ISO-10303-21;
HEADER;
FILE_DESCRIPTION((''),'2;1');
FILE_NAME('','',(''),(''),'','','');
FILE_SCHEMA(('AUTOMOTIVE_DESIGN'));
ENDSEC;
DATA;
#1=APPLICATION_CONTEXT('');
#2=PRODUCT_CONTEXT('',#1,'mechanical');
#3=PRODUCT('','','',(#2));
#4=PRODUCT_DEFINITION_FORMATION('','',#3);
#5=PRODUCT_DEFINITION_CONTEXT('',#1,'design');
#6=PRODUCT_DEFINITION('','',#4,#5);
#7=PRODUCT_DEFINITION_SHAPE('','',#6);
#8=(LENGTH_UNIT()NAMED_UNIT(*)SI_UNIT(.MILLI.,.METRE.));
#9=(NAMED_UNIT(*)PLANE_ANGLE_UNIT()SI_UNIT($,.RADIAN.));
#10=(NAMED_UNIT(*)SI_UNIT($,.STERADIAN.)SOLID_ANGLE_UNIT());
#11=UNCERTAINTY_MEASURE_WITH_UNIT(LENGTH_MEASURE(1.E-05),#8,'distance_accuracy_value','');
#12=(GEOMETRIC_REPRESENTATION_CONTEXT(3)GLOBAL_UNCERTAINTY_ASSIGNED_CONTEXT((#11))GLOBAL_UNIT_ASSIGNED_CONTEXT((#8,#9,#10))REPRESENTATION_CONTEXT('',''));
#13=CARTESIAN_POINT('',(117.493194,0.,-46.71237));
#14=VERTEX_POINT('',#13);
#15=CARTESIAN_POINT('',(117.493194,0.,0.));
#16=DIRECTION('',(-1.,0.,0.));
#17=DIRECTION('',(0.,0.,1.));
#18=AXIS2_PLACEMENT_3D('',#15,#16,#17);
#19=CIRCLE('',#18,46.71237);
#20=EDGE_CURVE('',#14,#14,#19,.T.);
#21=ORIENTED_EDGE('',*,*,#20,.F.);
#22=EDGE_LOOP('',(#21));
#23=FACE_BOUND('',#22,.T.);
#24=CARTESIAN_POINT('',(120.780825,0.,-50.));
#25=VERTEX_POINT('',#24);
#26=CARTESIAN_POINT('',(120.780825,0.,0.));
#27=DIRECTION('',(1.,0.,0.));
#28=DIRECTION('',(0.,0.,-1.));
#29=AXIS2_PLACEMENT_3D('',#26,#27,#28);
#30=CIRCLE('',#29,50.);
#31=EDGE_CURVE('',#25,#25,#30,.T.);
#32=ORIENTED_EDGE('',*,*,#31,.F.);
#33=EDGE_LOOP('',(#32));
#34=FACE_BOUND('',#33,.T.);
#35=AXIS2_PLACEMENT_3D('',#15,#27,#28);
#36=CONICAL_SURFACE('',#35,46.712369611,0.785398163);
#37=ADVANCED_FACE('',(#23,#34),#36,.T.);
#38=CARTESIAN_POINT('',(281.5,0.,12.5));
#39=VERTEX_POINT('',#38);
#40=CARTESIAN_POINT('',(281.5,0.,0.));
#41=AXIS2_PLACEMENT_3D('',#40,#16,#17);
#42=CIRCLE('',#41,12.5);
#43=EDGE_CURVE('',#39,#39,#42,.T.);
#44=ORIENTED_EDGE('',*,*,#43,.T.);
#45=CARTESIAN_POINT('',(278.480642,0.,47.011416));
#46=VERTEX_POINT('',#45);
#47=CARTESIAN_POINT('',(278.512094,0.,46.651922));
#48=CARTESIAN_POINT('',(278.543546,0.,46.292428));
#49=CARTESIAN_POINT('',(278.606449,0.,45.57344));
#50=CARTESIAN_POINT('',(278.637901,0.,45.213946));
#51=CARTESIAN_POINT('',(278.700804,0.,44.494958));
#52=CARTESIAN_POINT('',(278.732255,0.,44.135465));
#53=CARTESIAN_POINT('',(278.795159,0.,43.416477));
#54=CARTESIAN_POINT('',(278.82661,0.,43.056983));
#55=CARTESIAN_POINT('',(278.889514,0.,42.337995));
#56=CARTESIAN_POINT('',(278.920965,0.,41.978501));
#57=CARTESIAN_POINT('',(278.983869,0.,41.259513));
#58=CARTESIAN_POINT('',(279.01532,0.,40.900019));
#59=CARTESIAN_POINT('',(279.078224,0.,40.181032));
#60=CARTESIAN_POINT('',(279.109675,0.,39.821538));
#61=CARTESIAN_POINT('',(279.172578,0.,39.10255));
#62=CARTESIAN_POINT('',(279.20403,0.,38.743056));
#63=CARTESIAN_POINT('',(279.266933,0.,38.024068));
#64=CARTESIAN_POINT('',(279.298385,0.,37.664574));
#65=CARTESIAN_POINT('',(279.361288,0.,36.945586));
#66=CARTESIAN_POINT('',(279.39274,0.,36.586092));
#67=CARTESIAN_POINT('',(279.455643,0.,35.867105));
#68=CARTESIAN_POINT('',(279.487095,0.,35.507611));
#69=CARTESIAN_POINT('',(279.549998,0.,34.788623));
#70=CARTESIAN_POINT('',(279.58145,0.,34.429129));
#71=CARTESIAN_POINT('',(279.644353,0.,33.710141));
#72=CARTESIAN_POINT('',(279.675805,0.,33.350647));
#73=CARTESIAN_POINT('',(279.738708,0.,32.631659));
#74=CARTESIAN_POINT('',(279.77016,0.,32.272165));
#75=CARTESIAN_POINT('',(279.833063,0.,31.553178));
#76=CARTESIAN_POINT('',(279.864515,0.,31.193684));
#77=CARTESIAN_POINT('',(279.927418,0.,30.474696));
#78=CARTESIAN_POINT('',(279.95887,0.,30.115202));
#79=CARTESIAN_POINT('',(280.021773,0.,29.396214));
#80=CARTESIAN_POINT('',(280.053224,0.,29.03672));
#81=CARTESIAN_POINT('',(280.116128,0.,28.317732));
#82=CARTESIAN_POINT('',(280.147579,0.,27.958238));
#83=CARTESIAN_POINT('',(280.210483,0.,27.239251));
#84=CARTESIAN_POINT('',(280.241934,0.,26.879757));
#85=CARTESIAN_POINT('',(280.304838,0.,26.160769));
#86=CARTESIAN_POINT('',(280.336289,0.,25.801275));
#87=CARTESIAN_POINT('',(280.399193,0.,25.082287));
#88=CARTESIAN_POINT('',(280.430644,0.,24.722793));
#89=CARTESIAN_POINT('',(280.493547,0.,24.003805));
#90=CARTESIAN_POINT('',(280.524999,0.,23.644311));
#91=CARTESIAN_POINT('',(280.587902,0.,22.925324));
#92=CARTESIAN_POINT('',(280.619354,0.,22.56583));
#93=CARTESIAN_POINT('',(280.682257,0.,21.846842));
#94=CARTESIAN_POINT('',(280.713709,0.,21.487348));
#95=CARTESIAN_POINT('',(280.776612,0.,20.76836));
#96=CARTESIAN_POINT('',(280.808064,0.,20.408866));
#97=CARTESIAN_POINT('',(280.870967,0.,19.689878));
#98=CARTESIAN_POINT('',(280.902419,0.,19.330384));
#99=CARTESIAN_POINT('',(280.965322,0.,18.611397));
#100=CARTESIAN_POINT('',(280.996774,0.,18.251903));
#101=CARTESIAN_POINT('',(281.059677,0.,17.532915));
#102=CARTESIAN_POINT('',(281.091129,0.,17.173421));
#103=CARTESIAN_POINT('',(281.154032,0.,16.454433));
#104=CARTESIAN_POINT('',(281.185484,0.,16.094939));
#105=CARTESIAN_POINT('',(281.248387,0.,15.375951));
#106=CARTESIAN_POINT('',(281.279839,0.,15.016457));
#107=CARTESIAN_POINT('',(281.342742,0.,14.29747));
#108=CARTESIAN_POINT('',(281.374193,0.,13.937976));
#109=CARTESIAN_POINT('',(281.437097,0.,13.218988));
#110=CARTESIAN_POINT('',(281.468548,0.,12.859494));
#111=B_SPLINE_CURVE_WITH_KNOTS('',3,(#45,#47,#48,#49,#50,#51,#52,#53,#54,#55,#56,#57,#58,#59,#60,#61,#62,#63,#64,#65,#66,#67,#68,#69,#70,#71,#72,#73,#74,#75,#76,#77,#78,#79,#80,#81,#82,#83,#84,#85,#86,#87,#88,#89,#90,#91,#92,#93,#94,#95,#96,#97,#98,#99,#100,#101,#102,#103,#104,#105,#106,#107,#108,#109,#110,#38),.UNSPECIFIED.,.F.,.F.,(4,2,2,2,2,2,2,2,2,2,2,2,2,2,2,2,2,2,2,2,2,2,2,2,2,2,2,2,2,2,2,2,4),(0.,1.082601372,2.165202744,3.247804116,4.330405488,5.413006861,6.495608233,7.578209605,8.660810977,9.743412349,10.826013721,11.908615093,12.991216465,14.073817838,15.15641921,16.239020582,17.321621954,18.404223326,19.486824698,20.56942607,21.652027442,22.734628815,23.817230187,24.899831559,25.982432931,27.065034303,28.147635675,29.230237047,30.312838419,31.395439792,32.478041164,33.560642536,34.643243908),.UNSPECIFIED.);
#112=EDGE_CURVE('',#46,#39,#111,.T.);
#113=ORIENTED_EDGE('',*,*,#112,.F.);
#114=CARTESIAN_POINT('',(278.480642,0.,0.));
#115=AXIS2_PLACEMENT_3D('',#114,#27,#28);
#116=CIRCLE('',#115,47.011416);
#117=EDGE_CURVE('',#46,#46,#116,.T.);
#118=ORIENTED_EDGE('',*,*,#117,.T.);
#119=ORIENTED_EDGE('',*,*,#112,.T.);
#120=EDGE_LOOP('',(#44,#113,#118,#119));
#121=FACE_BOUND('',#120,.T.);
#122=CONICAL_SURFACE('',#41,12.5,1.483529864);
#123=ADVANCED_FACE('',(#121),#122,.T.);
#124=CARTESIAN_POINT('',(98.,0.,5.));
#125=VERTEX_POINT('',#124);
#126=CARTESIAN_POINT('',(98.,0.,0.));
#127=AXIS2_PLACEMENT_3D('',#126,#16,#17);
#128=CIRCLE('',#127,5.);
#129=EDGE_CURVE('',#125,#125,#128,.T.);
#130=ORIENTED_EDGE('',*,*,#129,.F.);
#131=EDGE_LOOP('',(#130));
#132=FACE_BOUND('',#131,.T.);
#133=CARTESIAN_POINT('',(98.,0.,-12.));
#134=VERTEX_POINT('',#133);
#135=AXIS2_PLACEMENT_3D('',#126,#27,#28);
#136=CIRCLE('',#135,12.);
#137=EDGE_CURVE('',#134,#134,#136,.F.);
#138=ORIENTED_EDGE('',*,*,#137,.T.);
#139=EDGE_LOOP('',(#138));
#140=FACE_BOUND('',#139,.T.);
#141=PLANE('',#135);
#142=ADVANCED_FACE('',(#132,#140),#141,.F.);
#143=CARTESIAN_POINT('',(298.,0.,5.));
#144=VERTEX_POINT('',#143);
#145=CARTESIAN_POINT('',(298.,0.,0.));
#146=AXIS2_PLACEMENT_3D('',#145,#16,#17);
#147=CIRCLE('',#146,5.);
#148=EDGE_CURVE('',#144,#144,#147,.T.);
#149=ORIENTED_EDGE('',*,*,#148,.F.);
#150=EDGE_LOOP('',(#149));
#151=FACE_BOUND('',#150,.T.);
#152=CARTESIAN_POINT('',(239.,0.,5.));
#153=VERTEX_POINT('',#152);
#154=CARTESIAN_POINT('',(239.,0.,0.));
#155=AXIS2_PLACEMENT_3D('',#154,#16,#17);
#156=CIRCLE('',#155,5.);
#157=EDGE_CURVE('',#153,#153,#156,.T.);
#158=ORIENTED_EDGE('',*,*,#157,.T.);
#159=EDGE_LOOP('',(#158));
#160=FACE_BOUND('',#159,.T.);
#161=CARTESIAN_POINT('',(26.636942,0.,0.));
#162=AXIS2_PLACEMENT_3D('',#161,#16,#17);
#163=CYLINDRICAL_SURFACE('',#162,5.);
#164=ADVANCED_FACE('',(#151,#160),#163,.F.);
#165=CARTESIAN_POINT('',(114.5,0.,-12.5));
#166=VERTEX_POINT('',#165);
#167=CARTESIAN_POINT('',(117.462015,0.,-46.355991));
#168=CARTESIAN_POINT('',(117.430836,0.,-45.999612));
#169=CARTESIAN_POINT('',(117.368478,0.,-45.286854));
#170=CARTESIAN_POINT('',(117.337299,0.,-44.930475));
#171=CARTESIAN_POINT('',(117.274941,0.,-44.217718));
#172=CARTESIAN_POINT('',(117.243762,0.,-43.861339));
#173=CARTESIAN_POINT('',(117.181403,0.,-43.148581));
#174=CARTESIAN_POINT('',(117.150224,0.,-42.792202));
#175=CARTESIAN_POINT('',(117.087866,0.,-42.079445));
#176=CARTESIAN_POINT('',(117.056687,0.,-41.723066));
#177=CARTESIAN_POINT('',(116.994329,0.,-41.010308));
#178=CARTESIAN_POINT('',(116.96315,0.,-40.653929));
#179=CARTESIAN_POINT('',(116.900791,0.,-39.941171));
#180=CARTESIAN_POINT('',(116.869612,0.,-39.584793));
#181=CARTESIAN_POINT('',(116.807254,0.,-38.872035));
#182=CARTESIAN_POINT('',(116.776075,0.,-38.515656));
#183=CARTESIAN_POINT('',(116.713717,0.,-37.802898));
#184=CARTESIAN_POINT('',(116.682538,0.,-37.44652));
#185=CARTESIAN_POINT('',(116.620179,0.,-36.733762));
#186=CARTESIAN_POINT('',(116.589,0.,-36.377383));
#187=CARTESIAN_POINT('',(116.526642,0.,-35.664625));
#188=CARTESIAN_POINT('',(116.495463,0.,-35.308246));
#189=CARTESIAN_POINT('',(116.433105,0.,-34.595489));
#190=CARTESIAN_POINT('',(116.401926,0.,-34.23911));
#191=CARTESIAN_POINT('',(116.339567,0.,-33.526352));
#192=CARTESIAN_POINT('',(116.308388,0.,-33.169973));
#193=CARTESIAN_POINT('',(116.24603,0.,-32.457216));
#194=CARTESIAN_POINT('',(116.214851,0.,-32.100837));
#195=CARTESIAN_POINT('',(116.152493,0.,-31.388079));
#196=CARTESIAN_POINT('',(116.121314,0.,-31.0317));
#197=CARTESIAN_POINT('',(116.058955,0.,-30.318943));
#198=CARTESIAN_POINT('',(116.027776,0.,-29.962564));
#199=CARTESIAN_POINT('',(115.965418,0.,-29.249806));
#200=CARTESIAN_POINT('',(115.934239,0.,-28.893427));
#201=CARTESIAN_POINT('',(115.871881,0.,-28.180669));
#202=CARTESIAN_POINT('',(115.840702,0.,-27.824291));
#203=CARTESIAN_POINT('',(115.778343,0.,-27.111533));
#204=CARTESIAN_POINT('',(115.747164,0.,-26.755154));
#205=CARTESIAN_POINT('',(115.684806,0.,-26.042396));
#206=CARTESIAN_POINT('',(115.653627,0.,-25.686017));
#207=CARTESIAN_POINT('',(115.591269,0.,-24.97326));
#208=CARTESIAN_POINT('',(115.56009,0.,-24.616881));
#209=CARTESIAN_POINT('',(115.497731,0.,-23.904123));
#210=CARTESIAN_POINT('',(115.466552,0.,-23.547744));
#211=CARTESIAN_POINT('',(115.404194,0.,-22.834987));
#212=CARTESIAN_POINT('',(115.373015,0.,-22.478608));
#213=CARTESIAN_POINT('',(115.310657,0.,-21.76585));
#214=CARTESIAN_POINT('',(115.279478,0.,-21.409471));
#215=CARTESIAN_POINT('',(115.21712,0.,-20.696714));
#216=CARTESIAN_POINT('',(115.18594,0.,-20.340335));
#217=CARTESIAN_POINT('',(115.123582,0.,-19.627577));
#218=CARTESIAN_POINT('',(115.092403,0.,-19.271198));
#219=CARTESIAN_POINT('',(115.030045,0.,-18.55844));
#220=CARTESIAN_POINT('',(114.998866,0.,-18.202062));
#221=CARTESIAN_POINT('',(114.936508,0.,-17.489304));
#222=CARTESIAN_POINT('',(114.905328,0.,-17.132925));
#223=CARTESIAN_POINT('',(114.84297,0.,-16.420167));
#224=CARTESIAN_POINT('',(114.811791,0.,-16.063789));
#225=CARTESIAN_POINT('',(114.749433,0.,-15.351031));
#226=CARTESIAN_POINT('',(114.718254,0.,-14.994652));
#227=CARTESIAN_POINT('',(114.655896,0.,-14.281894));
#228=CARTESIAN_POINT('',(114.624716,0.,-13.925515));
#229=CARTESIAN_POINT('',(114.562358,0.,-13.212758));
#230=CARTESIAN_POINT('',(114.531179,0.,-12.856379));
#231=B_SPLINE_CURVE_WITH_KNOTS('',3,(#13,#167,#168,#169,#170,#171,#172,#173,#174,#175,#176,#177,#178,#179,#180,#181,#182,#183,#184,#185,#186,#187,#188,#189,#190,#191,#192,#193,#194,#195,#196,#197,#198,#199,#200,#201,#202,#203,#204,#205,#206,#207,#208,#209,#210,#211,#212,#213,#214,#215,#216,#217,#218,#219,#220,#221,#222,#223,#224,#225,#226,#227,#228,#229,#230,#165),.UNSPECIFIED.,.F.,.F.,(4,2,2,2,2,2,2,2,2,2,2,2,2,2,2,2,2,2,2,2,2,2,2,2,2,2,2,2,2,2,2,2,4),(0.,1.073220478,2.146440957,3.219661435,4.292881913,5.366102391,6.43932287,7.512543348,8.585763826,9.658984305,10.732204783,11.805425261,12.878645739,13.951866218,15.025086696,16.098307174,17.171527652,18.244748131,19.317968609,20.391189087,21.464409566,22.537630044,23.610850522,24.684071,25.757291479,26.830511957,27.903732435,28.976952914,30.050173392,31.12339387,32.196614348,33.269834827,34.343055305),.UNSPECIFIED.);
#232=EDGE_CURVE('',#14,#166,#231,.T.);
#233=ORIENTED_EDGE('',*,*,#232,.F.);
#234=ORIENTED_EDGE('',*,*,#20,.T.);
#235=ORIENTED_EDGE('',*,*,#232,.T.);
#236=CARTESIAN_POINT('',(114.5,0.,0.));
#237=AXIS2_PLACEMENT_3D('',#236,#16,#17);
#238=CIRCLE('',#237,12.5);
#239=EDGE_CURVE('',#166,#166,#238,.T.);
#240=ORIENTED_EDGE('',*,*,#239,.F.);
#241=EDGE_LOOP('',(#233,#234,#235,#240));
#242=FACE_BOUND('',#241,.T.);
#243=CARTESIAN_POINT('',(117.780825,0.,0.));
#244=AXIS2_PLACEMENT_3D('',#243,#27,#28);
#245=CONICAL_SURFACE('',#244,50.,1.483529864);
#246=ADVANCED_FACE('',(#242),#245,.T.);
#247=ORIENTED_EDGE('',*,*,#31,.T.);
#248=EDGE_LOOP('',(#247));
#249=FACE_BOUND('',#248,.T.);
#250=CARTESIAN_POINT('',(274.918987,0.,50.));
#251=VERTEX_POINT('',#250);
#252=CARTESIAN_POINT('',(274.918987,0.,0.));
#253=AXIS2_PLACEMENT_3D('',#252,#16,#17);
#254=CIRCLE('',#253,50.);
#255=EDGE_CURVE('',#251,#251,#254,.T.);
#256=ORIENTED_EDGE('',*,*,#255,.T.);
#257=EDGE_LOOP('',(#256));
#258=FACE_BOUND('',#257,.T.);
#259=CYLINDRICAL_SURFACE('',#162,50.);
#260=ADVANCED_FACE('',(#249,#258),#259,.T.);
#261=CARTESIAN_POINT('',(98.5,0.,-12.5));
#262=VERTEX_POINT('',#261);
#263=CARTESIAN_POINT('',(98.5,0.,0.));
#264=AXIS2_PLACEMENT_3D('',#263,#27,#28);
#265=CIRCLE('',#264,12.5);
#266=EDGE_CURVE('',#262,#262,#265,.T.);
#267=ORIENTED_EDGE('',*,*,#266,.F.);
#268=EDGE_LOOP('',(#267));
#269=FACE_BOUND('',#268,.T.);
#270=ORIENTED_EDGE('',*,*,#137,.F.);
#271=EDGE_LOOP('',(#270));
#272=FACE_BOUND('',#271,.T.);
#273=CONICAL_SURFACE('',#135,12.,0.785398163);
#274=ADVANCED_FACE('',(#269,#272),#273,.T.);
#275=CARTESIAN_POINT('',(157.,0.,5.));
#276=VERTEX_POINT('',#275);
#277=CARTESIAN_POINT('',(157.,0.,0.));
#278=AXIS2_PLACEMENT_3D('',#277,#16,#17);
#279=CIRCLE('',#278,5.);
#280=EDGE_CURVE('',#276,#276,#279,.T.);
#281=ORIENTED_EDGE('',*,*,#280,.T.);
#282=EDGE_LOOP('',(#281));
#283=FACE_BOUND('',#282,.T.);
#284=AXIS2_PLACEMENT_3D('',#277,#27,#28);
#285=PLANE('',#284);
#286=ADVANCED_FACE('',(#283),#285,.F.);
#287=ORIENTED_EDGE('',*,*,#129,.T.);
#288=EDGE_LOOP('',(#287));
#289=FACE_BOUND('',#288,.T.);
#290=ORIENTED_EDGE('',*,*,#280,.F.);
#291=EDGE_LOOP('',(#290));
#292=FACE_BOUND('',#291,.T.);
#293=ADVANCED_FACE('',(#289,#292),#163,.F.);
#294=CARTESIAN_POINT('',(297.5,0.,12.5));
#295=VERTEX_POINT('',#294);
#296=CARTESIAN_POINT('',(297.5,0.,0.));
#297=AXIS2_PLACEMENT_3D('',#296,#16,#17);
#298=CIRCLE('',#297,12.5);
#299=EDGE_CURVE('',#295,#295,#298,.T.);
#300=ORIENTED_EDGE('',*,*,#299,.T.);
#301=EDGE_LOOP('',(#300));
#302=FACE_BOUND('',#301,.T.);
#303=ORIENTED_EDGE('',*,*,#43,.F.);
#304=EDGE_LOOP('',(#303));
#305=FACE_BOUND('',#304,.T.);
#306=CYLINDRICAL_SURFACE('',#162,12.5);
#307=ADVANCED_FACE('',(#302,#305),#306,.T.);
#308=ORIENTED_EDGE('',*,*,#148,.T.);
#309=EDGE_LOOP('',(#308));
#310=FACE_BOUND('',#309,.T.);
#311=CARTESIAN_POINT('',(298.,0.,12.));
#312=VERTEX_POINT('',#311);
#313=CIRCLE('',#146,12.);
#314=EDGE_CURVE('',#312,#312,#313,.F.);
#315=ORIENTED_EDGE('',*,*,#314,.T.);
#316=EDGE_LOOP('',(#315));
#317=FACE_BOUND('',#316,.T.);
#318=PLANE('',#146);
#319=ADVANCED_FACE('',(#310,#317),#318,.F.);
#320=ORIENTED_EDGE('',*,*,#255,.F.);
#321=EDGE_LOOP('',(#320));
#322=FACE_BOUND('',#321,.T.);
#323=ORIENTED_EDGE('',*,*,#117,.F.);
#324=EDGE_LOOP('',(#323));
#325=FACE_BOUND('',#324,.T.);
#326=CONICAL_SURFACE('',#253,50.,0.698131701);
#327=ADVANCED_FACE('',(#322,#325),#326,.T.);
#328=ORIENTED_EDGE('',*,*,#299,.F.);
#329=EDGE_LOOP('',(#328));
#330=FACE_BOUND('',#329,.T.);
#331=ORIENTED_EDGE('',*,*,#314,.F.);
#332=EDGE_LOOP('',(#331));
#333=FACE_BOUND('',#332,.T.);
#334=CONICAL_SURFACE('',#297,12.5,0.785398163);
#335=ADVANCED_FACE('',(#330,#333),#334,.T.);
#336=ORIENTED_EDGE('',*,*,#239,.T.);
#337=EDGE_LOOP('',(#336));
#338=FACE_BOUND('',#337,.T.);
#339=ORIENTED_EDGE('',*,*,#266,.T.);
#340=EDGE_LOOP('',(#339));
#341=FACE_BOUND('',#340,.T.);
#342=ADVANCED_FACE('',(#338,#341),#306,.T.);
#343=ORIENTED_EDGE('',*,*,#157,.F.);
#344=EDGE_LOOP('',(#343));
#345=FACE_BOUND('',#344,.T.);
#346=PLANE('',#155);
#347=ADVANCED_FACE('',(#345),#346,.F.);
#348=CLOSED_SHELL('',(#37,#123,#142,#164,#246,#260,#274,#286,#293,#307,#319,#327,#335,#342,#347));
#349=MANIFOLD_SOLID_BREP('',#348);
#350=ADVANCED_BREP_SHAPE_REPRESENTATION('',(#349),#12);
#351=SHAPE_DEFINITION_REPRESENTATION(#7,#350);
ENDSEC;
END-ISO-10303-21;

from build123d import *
from OCP.BRepFilletAPI import BRepFilletAPI_MakeChamfer

# Parameters (mm, degrees)
CHAFL_N1_SIZE  = 3
CHAFL_N1_SIZE2 = 3.300188603
CHAFL_N2_SIZE  = 0.5


with BuildPart() as part:
    # Croquis1 → Revolución1 (revolve)
    with BuildSketch(Plane.XY, mode=Mode.PRIVATE) as revoluci_n1_sk:
        Polygon((114.5, 12.5), (98, 12.5), (98, 5), (157, 5), (157, 0), (239, 0), (239, 5), (298, 5), (298, 12.5), (281.5, 12.5), (278.219175118, 50), (117.780824882, 50), align=None)
    revolve(revoluci_n1_sk.sketch.rotate(Axis((26.636942393, 0, 0), (1, 0, 0)), 90), axis=Axis((26.636942393, 0, 0), (1, 0, 0)))

    # Chaflán1: one chamfer whose edges measure the first distance from different faces: ONE call of the kernel's chamfer builder (chamfer() names one face for all edges)
    chafl_n1_edges_1 = [part.edges().sort_by_distance(p)[0] for p in [
        (117.780824882, 0, -50),
    ]]
    chafl_n1_side_1 = [part.faces().sort_by_distance(p)[0] for p in [
        (198, 0, -50),
    ]]
    chafl_n1_edges_2 = [part.edges().sort_by_distance(p)[0] for p in [
        (278.219175118, 0, -50),
    ]]
    chafl_n1_side_2 = [part.faces().sort_by_distance(p)[0] for p in [
        (279.859587559, 0, -31.25),
    ]]
    chafl_n1 = BRepFilletAPI_MakeChamfer(part.part.solid().wrapped)
    for e in chafl_n1_edges_1:
        chafl_n1.Add(CHAFL_N1_SIZE, CHAFL_N1_SIZE2, e.wrapped, chafl_n1_side_1[0].wrapped)  # the first distance lies on this face
    for e in chafl_n1_edges_2:
        chafl_n1.Add(CHAFL_N1_SIZE, CHAFL_N1_SIZE2, e.wrapped, chafl_n1_side_2[0].wrapped)  # the first distance lies on this face
    add(Compound.cast(chafl_n1.Shape()), mode=Mode.REPLACE)

    # Chaflán2
    chafl_n2_edges = [part.edges().sort_by_distance(p)[0] for p in [
        (298, 0, -12.5),
        (98, 0, -12.5),
    ]]
    chamfer(chafl_n2_edges, length=CHAFL_N2_SIZE)


solid = part.part
